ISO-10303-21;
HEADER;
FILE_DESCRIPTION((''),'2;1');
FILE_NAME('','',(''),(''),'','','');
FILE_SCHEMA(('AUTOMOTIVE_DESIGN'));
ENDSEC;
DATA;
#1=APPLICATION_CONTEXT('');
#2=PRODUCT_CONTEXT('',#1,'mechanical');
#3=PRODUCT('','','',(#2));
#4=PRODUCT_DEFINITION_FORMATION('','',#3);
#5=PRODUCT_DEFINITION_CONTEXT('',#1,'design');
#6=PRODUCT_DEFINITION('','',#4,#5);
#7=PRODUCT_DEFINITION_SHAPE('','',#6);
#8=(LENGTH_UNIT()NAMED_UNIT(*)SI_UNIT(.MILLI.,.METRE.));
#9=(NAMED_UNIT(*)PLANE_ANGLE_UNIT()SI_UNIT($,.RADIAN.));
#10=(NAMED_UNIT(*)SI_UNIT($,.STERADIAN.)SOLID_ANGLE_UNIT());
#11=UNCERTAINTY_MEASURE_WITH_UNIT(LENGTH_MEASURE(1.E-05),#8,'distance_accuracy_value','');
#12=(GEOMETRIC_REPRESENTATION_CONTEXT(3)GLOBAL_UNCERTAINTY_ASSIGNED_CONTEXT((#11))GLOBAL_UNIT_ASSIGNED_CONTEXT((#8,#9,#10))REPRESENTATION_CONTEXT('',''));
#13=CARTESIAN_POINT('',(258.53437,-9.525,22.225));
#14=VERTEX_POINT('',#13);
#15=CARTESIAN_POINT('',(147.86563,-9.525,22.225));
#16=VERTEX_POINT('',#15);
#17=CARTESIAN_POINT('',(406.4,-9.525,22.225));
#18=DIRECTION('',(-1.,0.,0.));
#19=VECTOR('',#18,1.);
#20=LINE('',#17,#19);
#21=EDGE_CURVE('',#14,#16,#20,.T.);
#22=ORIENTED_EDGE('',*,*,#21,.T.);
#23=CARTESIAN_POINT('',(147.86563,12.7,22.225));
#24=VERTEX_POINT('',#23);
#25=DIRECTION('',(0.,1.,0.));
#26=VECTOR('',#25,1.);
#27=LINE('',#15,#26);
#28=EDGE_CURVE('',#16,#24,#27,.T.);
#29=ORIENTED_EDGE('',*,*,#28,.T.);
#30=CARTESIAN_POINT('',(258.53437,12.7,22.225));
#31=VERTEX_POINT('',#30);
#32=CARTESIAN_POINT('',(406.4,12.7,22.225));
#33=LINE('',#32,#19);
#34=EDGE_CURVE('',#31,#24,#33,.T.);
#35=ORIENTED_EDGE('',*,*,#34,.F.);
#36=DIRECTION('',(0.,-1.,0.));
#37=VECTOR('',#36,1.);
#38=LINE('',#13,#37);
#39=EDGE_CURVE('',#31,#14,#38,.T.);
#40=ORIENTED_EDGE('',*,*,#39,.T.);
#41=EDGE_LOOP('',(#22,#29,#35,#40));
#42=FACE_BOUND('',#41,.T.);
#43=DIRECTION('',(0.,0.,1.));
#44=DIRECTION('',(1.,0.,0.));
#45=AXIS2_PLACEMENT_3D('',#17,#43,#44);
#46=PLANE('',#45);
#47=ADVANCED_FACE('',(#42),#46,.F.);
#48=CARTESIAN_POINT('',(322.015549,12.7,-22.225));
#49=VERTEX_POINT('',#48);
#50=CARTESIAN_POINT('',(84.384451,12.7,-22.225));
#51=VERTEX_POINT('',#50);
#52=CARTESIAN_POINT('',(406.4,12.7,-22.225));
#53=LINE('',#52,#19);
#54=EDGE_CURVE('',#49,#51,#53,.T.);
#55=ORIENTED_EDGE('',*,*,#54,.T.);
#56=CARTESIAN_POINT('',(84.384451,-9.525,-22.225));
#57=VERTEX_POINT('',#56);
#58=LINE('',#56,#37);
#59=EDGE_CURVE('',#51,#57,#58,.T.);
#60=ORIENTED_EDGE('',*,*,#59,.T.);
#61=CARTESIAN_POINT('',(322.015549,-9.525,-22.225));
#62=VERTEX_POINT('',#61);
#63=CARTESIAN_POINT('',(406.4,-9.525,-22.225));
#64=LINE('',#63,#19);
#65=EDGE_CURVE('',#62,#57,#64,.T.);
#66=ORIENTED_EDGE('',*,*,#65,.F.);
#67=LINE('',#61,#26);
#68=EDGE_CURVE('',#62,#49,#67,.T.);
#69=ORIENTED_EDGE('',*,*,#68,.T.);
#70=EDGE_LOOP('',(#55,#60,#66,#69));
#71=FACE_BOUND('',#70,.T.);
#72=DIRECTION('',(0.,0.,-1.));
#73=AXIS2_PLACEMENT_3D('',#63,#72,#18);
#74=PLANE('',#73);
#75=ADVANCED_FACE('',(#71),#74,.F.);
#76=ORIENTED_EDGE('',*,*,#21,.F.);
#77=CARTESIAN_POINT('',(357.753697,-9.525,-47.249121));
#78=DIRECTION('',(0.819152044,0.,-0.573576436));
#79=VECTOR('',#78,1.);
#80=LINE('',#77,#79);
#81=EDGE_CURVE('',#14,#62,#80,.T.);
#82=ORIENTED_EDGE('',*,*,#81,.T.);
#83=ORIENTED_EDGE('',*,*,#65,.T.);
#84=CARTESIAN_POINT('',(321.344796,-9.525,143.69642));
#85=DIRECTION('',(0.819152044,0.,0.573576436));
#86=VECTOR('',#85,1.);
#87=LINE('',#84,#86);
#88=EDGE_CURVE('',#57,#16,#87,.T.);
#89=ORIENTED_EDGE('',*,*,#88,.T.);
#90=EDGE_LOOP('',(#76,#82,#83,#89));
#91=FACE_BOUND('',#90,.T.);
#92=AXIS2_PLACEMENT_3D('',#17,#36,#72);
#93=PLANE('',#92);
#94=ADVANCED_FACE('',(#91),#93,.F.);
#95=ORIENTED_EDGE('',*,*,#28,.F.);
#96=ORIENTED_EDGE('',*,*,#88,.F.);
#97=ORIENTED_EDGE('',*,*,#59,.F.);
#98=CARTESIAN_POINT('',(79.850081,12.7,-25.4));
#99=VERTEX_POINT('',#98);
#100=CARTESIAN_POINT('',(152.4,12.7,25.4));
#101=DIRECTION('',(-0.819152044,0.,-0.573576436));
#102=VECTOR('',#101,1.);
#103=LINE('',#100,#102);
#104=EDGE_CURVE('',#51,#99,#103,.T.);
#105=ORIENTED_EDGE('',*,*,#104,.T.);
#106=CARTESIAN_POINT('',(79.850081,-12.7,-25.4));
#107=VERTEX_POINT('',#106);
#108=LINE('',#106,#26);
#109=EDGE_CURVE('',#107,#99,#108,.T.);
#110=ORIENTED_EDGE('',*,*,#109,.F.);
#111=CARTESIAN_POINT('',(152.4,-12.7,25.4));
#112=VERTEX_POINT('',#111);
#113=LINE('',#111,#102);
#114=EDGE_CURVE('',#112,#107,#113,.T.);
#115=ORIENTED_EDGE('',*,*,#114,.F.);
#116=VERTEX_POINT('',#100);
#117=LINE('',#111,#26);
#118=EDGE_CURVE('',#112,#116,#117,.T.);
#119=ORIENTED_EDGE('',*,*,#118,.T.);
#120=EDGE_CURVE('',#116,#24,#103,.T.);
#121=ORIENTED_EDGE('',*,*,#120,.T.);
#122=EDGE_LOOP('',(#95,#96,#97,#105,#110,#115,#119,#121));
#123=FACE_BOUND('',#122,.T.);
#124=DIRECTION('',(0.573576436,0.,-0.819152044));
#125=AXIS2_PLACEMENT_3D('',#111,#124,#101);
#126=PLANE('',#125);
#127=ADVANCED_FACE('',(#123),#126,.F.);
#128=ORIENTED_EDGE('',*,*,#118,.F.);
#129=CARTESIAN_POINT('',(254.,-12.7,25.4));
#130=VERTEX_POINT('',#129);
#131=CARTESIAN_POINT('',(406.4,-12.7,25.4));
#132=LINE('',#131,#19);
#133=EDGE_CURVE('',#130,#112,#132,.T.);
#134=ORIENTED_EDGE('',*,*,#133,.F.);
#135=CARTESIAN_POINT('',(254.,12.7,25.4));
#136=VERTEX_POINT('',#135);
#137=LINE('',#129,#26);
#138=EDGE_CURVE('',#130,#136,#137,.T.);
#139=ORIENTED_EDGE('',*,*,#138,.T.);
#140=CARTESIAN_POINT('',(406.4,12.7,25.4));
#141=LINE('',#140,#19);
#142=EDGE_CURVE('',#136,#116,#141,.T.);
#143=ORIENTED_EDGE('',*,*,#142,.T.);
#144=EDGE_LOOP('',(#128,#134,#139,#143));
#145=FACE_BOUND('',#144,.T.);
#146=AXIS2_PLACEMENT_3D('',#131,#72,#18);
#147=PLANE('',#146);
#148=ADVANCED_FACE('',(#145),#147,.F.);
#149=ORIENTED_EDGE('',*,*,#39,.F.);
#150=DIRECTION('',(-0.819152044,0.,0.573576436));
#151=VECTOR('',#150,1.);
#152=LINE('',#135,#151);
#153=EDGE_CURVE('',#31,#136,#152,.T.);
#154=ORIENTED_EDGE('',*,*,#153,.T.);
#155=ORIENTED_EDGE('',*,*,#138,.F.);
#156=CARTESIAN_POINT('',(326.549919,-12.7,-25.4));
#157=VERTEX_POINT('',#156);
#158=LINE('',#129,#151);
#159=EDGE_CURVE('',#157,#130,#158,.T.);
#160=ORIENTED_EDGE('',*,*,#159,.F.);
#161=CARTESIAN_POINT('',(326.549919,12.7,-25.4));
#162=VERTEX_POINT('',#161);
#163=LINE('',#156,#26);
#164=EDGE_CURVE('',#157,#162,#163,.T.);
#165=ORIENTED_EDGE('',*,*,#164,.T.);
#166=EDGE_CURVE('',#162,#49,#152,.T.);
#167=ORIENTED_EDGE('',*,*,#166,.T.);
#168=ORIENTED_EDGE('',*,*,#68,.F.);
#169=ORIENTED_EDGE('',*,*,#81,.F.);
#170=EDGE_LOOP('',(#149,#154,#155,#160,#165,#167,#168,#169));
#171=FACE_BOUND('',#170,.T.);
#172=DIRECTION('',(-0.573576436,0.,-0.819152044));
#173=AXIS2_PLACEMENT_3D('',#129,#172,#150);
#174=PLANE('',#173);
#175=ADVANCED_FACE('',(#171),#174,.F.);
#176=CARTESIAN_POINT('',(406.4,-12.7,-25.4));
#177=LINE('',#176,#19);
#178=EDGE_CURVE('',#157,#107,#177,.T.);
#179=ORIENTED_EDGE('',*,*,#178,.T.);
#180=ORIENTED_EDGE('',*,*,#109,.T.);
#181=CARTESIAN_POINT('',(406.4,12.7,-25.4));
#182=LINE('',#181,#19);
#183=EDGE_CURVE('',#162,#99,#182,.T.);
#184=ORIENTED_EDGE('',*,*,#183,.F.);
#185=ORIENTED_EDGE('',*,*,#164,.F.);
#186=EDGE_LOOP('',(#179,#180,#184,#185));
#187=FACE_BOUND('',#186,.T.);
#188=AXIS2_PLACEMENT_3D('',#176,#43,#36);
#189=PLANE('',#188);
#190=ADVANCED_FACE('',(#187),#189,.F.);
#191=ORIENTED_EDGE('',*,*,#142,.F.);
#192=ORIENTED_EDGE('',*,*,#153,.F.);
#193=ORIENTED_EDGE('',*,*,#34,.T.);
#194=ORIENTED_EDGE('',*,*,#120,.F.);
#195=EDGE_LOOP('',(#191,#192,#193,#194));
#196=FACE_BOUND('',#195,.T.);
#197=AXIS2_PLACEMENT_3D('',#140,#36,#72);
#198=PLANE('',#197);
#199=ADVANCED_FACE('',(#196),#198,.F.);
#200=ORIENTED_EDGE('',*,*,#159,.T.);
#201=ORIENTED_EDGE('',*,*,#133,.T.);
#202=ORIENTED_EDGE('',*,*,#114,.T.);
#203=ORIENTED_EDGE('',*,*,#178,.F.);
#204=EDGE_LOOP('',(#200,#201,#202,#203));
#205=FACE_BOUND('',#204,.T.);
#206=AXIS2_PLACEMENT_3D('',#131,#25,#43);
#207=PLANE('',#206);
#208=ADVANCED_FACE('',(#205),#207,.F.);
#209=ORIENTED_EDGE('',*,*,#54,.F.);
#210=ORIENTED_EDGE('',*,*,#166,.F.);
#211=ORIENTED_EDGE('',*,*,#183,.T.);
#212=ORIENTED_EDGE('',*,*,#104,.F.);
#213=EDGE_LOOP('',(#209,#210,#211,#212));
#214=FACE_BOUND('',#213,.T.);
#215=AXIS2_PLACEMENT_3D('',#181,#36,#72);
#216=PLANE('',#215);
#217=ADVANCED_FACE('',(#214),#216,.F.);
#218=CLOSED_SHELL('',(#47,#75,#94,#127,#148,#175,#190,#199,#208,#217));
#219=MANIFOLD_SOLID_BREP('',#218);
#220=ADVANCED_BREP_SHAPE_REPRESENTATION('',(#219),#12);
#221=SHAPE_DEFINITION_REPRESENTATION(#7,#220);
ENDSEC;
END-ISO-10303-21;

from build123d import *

# Parameters (mm, degrees)
BOSS_EXTRUDE1_DEPTH = 406.4
CUT_EXTRUDE1_DEPTH  = 408.984411467


with BuildPart() as part:
    # Sketch1 → Boss-Extrude1 (new body)
    with BuildSketch(Plane(origin=(0, 0, 0), x_dir=(0, 0, -1), z_dir=(1, 0, 0))):
        Polygon((-22.225, -9.525), (-22.225, 12.7), (-25.4, 12.7), (-25.4, -12.7), (25.4, -12.7), (25.4, 12.7), (22.225, 12.7), (22.225, -9.525), align=None)
    extrude(amount=BOSS_EXTRUDE1_DEPTH)

    # Sketch2 → Cut-Extrude1 (cut, through all)
    with BuildSketch(Plane(origin=(0, 12.7, 0), x_dir=(1, 0, 0), z_dir=(0, 1, 0))):
        Polygon((203.2, -25.4), (152.4, -25.4), (79.850081258, 25.4), (-62.210264403, 25.4), (-62.210264403, -94.274139353), (523.373076947, -141.453594379), (523.373076947, 25.4), (326.549918742, 25.4), (254, -25.4), align=None)
    extrude(amount=-CUT_EXTRUDE1_DEPTH, mode=Mode.SUBTRACT)


solid = part.part
